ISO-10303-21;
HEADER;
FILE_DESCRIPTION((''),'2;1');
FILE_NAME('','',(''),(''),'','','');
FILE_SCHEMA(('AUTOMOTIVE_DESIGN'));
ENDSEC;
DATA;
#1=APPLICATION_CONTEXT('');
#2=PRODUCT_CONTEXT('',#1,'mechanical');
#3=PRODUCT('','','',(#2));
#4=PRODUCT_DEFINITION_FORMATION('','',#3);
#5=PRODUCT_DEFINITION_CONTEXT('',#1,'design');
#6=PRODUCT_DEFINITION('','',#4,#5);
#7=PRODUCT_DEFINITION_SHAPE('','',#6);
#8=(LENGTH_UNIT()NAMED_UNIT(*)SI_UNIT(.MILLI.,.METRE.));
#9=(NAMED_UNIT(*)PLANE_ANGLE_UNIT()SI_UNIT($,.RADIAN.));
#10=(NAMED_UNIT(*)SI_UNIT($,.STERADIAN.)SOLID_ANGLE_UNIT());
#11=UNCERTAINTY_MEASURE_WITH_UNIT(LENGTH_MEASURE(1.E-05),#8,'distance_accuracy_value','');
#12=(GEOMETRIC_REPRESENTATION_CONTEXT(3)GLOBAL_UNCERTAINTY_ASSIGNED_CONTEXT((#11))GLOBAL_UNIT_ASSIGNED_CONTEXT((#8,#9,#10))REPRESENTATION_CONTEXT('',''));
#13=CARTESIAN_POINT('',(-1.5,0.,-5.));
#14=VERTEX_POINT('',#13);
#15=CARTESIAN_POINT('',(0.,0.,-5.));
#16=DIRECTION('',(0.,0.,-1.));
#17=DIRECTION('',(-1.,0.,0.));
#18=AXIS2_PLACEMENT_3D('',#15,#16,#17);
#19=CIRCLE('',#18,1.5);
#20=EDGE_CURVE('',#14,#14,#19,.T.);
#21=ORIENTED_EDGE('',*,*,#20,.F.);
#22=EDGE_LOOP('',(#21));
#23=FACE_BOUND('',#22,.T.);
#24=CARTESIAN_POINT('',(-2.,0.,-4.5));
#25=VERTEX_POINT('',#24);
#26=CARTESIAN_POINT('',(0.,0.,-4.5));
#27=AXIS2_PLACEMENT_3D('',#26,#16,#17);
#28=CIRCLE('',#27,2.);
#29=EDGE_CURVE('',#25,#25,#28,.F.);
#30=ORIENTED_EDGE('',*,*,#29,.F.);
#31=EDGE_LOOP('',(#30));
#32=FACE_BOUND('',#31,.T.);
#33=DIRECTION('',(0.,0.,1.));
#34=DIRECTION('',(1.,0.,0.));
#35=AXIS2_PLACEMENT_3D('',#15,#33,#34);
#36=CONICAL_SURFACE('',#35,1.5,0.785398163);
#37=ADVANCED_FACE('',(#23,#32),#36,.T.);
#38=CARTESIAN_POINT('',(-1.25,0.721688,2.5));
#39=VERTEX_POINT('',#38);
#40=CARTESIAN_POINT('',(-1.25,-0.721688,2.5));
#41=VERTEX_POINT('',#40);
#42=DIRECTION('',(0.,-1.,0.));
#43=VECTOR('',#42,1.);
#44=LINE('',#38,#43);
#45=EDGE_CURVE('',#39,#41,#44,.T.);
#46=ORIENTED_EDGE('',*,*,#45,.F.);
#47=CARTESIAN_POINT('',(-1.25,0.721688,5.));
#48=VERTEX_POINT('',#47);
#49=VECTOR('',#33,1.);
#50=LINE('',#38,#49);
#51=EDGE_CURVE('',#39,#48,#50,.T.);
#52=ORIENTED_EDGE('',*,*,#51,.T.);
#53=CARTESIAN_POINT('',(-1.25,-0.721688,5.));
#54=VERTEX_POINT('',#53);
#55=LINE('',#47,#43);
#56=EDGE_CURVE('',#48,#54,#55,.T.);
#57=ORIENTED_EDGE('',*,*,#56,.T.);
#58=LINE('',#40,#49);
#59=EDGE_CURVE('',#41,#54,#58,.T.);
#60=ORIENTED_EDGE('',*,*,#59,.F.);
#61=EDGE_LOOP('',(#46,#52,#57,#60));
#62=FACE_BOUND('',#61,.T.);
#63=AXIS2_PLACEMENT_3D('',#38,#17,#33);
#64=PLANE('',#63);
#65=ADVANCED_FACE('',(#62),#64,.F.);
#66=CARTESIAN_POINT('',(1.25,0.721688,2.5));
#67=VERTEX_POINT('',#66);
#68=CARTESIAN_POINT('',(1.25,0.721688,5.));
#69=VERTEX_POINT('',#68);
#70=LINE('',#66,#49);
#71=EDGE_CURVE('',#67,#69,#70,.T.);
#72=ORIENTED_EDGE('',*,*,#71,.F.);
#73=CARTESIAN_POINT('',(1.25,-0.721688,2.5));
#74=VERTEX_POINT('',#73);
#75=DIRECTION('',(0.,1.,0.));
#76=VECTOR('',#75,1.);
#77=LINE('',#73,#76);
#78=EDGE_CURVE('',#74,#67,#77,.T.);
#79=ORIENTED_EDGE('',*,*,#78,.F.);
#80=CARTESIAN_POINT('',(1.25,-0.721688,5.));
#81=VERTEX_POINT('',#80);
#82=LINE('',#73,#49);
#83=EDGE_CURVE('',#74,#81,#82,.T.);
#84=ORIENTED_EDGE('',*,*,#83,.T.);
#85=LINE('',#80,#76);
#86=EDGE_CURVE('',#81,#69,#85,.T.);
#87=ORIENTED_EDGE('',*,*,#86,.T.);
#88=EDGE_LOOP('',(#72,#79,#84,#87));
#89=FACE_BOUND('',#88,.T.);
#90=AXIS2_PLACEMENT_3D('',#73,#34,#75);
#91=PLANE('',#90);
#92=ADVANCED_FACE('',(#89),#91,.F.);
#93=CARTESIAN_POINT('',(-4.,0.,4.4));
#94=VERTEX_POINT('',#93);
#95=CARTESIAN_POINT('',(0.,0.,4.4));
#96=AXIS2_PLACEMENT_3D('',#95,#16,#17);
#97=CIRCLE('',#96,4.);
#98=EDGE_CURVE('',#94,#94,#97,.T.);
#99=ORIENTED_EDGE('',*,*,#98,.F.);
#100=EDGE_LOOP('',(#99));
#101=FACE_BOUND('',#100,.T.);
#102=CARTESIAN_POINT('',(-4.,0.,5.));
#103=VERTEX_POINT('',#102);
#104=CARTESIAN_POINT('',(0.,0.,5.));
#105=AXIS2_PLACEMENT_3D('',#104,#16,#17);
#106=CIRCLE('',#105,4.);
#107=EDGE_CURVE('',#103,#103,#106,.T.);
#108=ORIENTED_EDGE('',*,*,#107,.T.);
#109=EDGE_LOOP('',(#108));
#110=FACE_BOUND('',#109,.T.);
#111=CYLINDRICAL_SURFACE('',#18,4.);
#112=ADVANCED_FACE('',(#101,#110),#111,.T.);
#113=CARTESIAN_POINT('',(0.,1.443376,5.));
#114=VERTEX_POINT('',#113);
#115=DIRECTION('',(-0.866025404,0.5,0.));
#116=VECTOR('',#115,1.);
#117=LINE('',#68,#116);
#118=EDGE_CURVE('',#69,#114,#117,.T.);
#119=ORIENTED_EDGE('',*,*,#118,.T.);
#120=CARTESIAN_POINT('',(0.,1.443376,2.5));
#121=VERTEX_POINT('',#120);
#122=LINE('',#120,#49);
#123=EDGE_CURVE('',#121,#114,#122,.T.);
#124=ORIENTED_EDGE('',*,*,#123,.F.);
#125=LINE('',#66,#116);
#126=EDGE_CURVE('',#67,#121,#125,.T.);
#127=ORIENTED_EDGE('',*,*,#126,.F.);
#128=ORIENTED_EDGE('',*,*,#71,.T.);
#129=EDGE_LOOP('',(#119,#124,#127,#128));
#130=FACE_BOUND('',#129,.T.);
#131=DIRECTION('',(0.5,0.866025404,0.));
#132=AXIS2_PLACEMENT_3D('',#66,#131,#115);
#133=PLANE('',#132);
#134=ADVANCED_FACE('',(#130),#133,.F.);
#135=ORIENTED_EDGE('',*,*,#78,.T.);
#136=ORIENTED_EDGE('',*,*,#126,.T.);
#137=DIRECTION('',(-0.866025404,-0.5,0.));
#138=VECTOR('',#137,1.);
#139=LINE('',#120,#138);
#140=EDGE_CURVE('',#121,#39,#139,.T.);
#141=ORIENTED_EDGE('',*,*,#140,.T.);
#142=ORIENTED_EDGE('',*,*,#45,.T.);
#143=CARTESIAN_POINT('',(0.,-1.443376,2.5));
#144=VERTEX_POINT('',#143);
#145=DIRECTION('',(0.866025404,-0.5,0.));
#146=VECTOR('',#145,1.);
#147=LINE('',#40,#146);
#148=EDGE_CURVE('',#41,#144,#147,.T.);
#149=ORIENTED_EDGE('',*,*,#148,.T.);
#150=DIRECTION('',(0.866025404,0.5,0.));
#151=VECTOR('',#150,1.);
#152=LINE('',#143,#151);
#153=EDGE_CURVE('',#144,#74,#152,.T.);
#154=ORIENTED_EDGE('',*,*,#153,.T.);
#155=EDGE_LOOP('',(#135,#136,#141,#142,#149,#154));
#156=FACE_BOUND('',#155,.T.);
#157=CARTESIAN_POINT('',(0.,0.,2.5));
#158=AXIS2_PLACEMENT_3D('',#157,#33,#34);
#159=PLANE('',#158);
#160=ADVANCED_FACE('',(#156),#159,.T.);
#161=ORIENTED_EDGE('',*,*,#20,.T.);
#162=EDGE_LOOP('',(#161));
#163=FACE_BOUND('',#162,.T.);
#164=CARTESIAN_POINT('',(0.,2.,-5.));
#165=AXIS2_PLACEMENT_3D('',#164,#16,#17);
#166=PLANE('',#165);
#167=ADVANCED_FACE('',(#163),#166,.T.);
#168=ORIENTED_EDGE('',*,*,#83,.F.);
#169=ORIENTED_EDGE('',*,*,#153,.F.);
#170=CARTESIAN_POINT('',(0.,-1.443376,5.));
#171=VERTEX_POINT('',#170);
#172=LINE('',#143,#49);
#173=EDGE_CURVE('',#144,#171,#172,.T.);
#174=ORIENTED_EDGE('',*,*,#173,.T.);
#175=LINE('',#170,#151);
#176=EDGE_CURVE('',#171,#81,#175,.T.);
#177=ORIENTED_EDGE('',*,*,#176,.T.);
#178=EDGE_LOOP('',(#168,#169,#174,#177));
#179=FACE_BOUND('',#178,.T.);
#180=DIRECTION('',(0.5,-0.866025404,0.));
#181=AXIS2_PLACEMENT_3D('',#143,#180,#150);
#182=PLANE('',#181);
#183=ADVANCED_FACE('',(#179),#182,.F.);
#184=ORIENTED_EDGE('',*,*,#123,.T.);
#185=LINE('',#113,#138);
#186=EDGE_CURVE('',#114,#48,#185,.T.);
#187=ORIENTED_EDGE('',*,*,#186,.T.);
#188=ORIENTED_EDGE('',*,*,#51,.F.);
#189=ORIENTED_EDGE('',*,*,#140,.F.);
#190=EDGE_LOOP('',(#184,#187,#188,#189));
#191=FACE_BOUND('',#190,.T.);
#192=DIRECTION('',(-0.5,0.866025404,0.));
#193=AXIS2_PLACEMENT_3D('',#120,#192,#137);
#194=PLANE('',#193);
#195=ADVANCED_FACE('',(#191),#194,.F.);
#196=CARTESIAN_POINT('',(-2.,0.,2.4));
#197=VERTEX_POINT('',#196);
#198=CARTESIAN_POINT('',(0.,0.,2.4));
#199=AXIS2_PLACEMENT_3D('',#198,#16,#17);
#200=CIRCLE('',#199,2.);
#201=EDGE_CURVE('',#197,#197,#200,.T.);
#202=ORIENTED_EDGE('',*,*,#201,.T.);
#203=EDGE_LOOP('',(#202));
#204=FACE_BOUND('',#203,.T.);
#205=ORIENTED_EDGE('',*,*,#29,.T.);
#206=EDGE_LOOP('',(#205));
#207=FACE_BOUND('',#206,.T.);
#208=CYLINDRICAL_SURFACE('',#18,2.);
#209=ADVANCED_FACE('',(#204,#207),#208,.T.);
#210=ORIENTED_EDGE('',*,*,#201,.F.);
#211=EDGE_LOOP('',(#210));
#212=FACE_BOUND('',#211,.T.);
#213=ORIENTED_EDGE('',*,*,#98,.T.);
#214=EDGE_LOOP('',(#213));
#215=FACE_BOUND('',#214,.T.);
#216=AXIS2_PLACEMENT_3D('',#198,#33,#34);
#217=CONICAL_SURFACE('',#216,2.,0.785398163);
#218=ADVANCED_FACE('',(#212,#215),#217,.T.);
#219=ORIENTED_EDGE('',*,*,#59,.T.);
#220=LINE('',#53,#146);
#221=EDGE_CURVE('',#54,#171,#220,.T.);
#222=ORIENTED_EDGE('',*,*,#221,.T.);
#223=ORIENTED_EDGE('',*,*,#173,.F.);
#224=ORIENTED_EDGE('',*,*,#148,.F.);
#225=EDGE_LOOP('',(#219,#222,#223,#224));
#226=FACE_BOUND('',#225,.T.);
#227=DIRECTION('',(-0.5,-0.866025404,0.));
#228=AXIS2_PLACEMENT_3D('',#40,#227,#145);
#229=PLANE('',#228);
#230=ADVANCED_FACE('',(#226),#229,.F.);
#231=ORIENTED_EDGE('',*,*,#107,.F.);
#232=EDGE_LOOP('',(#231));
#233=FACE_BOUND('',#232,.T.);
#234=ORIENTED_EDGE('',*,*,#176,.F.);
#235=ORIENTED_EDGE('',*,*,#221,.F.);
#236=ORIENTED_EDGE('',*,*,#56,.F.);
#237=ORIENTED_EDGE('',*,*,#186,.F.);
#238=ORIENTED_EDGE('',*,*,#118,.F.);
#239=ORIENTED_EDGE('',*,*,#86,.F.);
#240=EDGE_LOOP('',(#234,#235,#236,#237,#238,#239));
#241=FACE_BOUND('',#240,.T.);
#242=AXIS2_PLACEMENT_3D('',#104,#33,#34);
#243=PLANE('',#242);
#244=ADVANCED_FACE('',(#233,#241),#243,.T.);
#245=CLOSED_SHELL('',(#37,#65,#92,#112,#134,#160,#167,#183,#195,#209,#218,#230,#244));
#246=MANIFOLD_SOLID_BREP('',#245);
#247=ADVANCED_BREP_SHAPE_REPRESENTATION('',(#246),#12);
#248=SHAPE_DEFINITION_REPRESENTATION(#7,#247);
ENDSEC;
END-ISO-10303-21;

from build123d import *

# Parameters (mm, degrees)
CHAMFER_1_SIZE      = 0.5
CUT_EXTRUDE_1_DEPTH = 2.5


with BuildPart() as part:
    # 草图1 → 旋转1 (revolve)
    with BuildSketch(Plane(origin=(0, 0, 0), x_dir=(0, 0, -1), z_dir=(1, 0, 0)), mode=Mode.PRIVATE) as revolve_1_sk:
        Polygon((-5, 0), (-5, 4), (-4.4, 4), (-2.4, 2), (5, 2), (5, 0), align=None)
    revolve(revolve_1_sk.sketch.rotate(Axis((0, 0, -5), (0, 0, 1)), 90), axis=Axis((0, 0, -5), (0, 0, 1)))

    # 倒角1
    chamfer_1_edges = [part.edges().sort_by_distance(p)[0] for p in [
        (2, 0, -5),
    ]]
    chamfer(chamfer_1_edges, length=CHAMFER_1_SIZE)

    # 草图2 → 切除-拉伸1 (cut)
    with BuildSketch(Plane.XY.offset(5)):
        Polygon((0, 1.443375673), (-1.25, 0.721687836), (-1.25, -0.721687836), (0, -1.443375673), (1.25, -0.721687836), (1.25, 0.721687836), align=None)
    extrude(amount=-CUT_EXTRUDE_1_DEPTH, mode=Mode.SUBTRACT)


solid = part.part
